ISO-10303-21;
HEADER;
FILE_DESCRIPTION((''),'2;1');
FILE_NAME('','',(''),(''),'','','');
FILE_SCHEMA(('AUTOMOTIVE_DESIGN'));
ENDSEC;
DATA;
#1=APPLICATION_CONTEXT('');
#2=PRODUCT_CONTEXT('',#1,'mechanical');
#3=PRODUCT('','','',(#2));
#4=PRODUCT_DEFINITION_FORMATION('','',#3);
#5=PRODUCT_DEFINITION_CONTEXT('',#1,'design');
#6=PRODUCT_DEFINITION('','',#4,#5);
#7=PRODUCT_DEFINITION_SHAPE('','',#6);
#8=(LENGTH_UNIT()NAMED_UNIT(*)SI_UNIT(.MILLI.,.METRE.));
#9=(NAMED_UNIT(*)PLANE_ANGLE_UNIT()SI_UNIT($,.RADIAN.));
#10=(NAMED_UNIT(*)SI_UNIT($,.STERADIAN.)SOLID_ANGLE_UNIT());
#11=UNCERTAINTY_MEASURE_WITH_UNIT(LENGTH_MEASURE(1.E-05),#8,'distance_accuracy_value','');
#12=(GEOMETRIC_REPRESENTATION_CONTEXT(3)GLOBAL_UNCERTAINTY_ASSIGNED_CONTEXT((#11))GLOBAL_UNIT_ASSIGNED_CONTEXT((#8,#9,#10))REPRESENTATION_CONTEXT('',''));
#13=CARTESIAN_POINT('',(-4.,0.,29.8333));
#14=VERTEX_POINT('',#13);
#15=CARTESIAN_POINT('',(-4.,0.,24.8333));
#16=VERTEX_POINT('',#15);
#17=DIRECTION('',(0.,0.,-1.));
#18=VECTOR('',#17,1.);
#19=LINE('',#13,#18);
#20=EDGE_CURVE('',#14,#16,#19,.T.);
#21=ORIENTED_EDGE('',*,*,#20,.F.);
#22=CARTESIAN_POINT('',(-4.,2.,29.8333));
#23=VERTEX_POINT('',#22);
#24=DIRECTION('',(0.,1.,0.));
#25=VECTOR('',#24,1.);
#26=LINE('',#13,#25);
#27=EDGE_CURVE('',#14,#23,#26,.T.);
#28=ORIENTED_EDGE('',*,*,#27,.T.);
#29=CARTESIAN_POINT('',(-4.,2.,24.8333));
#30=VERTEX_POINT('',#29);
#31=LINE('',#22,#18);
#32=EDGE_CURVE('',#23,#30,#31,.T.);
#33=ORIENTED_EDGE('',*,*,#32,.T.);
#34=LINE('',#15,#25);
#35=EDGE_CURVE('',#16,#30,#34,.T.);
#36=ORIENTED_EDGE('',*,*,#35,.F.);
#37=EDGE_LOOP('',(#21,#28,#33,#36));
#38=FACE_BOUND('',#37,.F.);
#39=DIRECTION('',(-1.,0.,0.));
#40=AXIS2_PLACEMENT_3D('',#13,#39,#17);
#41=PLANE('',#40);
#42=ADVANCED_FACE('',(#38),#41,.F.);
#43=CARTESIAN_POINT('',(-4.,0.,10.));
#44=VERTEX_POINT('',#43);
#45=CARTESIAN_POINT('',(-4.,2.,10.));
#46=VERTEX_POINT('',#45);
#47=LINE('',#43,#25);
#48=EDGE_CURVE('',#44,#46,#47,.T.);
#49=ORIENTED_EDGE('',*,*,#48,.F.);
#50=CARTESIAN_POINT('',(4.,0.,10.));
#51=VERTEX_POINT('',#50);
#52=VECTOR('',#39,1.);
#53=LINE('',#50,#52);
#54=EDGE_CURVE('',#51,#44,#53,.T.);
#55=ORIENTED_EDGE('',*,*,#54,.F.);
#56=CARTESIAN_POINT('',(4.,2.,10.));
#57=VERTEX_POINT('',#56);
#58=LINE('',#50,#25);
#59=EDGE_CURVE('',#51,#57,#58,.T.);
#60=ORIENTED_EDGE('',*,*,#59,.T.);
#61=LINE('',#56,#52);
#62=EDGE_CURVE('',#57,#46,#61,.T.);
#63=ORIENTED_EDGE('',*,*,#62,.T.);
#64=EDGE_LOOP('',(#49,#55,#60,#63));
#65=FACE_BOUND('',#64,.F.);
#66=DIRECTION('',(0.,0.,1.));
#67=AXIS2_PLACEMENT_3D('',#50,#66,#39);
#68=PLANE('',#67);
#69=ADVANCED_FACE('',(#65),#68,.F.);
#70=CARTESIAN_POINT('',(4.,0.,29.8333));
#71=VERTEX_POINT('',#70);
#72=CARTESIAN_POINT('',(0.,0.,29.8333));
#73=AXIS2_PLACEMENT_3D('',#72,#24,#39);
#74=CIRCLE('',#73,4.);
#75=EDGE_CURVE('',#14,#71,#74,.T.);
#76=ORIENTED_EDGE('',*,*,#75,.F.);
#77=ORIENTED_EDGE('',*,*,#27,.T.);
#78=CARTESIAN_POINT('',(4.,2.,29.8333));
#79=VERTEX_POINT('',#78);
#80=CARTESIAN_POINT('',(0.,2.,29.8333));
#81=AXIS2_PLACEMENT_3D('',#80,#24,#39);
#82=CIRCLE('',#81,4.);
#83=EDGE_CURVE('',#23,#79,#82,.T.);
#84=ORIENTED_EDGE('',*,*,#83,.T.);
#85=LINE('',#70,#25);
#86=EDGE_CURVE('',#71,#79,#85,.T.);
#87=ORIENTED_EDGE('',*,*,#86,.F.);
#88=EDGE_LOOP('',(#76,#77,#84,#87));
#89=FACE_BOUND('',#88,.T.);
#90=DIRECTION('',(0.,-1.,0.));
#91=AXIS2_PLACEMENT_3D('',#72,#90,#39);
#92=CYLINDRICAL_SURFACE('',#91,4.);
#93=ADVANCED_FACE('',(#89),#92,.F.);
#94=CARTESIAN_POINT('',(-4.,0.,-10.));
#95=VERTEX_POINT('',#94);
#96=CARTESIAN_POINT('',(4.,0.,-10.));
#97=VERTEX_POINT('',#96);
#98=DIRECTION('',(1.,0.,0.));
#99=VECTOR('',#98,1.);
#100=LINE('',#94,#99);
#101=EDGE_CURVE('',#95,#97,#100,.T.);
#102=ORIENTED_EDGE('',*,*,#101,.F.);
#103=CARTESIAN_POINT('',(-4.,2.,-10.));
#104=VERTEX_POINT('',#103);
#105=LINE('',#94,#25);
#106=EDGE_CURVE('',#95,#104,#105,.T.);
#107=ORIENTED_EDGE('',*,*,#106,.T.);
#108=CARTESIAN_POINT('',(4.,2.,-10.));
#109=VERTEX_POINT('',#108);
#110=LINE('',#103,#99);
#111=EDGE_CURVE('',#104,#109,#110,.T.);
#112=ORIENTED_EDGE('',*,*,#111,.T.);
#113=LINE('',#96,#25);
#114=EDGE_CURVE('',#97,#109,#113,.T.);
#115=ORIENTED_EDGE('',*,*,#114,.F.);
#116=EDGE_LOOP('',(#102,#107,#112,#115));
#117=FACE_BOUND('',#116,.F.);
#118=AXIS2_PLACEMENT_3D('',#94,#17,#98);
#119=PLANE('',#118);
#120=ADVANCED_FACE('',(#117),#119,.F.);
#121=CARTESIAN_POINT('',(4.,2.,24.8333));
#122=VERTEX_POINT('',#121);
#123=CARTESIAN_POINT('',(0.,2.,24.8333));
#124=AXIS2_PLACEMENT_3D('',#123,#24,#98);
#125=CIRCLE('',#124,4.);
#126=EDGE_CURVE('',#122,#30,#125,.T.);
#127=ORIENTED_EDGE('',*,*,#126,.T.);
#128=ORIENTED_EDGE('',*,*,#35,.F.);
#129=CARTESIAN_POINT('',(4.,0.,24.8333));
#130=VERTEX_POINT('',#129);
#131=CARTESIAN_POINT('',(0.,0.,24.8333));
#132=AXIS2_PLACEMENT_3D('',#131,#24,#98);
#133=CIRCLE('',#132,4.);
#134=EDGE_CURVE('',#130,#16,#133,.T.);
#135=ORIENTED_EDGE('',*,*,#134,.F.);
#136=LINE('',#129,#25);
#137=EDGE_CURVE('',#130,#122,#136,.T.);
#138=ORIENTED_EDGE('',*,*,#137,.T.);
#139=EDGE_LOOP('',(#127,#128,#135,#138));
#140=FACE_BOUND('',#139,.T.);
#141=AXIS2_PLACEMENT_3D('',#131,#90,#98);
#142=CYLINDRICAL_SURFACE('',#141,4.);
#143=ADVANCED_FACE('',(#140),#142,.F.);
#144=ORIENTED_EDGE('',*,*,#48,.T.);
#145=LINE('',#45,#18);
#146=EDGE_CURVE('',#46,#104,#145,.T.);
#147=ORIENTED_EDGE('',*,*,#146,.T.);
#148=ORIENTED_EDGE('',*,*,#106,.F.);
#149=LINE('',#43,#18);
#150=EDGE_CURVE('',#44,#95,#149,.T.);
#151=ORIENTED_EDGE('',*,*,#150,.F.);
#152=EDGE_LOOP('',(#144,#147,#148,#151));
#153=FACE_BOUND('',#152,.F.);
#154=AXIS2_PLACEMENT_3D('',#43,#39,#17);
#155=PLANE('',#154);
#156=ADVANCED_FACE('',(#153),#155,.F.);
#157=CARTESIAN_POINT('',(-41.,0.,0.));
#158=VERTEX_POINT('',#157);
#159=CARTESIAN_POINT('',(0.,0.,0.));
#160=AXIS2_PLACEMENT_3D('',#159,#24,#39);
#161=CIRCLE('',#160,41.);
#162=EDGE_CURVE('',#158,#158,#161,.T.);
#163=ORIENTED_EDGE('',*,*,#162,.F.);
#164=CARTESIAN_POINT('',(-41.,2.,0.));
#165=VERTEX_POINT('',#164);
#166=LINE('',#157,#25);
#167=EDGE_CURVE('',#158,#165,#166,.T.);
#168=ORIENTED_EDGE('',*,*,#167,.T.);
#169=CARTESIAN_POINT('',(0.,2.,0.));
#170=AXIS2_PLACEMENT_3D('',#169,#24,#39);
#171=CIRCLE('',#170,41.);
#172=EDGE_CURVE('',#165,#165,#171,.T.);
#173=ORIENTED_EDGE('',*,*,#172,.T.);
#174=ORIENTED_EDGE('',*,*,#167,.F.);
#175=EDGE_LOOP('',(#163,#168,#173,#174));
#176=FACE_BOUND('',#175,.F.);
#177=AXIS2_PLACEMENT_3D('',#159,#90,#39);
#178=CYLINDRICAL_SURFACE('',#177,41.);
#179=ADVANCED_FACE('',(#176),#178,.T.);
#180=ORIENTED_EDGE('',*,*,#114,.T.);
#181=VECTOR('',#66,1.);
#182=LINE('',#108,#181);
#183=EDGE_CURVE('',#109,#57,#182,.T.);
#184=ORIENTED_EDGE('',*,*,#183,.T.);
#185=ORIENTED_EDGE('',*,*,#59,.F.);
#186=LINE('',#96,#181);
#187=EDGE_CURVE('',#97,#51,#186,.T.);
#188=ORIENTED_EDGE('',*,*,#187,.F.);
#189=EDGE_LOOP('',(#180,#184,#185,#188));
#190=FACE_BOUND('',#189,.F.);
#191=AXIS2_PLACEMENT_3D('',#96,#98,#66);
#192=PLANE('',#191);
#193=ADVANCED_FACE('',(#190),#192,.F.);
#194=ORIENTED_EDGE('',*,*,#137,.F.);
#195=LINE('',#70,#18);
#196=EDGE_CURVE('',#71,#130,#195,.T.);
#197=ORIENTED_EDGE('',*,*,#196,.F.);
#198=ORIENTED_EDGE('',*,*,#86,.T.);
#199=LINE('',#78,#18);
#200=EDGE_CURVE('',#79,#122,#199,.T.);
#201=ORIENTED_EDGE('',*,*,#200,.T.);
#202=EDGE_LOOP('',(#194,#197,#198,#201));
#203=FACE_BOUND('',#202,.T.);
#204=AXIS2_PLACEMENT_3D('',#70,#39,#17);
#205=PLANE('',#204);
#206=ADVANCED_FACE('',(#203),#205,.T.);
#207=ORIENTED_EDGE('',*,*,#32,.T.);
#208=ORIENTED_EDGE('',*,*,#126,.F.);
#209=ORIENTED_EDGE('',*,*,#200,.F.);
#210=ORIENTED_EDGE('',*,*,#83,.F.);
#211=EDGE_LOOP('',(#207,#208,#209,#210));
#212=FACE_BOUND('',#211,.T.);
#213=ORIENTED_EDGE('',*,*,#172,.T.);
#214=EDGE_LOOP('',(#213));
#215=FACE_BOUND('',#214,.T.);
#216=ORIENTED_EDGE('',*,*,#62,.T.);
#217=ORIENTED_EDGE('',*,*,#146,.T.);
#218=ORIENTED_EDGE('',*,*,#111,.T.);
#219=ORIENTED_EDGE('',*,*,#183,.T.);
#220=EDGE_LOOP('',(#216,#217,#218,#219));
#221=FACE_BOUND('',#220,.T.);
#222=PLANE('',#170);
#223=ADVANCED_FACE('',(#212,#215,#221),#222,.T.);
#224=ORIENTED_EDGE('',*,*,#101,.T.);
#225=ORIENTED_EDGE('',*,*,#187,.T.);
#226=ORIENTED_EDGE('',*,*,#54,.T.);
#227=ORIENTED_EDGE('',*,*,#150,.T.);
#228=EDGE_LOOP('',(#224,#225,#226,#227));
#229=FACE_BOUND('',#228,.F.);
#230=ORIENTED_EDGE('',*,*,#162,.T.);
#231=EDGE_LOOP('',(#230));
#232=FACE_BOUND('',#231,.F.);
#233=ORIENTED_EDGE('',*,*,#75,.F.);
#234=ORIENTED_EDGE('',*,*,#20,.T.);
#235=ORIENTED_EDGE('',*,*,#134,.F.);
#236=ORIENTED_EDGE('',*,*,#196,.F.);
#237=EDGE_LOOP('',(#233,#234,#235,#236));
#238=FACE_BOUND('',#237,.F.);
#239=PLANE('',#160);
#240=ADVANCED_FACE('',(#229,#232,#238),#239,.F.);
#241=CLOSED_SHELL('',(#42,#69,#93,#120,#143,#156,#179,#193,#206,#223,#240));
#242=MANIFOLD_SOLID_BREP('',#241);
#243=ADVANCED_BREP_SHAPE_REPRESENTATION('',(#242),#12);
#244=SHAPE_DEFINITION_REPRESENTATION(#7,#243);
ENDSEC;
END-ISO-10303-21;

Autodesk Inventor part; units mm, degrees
ref_plane "YZ Plane" through (0, 0, 0) normal (1, 0, 0) x (0, 1, 0)
ref_plane "XZ Plane" through (0, 0, 0) normal (0, 1, 0) x (-1, 0, 0)
ref_plane "XY Plane" through (0, 0, 0) normal (0, 0, 1) x (1, 0, 0)
sketch "Sketch1" plane through (0, 0, 0) normal (0, 1, 0) x (-1, 0, 0)
  circle A0 centre (0, 0) radius 41
  line L0 (-4, 10) -> (4, 10)
  line L1 (4, 10) -> (4, -10)
  line L2 (4, -10) -> (-4, -10)
  line L3 (-4, -10) -> (-4, 10)
  line L4 (-4, 10) -> (4, -10) construction
  line L5 (4, 10) -> (-4, -10) construction
  circle A1 centre (0, 0) radius 27.3333 construction
  line L6 (0, 20.8333) -> (0, 33.8333) construction
  line L7 (4, 29.8333) -> (4, 24.8333)
  line L8 (-4, 29.8333) -> (-4, 24.8333)
  arc A2 (2.7505, 27.1946) -> (2.625, 27.3333) centre (0, 24.8333) ccw
  arc A3 (-2.625, 27.3333) -> (-2.7505, 27.1946) centre (0, 24.8333) ccw
  arc A4 (-4, 24.8333) -> (4, 24.8333) centre (0, 24.8333) ccw
  arc A5 (2.51, 27.2178) -> (2.625, 27.3333) centre (0, 29.8333) ccw
  arc A6 (4, 29.8333) -> (-4, 29.8333) centre (0, 29.8333) ccw
  arc A7 (-2.625, 27.3333) -> (-2.51, 27.2178) centre (0, 29.8333) ccw
  point P0 (0, 27.3333)
  point P1 (1.5875, 22.7958)
  dimension "d0" = 8
  dimension "d1" = 20
  dimension "d2" = 82
  dimension "d4" = 54.6667
  dimension "d5" = 13
  dimension "d11" = 4
extrude "Extrusion1" add sketch "Sketch1" along normal blind 2
properties part number "Tic-Tac Baseplate v2"
